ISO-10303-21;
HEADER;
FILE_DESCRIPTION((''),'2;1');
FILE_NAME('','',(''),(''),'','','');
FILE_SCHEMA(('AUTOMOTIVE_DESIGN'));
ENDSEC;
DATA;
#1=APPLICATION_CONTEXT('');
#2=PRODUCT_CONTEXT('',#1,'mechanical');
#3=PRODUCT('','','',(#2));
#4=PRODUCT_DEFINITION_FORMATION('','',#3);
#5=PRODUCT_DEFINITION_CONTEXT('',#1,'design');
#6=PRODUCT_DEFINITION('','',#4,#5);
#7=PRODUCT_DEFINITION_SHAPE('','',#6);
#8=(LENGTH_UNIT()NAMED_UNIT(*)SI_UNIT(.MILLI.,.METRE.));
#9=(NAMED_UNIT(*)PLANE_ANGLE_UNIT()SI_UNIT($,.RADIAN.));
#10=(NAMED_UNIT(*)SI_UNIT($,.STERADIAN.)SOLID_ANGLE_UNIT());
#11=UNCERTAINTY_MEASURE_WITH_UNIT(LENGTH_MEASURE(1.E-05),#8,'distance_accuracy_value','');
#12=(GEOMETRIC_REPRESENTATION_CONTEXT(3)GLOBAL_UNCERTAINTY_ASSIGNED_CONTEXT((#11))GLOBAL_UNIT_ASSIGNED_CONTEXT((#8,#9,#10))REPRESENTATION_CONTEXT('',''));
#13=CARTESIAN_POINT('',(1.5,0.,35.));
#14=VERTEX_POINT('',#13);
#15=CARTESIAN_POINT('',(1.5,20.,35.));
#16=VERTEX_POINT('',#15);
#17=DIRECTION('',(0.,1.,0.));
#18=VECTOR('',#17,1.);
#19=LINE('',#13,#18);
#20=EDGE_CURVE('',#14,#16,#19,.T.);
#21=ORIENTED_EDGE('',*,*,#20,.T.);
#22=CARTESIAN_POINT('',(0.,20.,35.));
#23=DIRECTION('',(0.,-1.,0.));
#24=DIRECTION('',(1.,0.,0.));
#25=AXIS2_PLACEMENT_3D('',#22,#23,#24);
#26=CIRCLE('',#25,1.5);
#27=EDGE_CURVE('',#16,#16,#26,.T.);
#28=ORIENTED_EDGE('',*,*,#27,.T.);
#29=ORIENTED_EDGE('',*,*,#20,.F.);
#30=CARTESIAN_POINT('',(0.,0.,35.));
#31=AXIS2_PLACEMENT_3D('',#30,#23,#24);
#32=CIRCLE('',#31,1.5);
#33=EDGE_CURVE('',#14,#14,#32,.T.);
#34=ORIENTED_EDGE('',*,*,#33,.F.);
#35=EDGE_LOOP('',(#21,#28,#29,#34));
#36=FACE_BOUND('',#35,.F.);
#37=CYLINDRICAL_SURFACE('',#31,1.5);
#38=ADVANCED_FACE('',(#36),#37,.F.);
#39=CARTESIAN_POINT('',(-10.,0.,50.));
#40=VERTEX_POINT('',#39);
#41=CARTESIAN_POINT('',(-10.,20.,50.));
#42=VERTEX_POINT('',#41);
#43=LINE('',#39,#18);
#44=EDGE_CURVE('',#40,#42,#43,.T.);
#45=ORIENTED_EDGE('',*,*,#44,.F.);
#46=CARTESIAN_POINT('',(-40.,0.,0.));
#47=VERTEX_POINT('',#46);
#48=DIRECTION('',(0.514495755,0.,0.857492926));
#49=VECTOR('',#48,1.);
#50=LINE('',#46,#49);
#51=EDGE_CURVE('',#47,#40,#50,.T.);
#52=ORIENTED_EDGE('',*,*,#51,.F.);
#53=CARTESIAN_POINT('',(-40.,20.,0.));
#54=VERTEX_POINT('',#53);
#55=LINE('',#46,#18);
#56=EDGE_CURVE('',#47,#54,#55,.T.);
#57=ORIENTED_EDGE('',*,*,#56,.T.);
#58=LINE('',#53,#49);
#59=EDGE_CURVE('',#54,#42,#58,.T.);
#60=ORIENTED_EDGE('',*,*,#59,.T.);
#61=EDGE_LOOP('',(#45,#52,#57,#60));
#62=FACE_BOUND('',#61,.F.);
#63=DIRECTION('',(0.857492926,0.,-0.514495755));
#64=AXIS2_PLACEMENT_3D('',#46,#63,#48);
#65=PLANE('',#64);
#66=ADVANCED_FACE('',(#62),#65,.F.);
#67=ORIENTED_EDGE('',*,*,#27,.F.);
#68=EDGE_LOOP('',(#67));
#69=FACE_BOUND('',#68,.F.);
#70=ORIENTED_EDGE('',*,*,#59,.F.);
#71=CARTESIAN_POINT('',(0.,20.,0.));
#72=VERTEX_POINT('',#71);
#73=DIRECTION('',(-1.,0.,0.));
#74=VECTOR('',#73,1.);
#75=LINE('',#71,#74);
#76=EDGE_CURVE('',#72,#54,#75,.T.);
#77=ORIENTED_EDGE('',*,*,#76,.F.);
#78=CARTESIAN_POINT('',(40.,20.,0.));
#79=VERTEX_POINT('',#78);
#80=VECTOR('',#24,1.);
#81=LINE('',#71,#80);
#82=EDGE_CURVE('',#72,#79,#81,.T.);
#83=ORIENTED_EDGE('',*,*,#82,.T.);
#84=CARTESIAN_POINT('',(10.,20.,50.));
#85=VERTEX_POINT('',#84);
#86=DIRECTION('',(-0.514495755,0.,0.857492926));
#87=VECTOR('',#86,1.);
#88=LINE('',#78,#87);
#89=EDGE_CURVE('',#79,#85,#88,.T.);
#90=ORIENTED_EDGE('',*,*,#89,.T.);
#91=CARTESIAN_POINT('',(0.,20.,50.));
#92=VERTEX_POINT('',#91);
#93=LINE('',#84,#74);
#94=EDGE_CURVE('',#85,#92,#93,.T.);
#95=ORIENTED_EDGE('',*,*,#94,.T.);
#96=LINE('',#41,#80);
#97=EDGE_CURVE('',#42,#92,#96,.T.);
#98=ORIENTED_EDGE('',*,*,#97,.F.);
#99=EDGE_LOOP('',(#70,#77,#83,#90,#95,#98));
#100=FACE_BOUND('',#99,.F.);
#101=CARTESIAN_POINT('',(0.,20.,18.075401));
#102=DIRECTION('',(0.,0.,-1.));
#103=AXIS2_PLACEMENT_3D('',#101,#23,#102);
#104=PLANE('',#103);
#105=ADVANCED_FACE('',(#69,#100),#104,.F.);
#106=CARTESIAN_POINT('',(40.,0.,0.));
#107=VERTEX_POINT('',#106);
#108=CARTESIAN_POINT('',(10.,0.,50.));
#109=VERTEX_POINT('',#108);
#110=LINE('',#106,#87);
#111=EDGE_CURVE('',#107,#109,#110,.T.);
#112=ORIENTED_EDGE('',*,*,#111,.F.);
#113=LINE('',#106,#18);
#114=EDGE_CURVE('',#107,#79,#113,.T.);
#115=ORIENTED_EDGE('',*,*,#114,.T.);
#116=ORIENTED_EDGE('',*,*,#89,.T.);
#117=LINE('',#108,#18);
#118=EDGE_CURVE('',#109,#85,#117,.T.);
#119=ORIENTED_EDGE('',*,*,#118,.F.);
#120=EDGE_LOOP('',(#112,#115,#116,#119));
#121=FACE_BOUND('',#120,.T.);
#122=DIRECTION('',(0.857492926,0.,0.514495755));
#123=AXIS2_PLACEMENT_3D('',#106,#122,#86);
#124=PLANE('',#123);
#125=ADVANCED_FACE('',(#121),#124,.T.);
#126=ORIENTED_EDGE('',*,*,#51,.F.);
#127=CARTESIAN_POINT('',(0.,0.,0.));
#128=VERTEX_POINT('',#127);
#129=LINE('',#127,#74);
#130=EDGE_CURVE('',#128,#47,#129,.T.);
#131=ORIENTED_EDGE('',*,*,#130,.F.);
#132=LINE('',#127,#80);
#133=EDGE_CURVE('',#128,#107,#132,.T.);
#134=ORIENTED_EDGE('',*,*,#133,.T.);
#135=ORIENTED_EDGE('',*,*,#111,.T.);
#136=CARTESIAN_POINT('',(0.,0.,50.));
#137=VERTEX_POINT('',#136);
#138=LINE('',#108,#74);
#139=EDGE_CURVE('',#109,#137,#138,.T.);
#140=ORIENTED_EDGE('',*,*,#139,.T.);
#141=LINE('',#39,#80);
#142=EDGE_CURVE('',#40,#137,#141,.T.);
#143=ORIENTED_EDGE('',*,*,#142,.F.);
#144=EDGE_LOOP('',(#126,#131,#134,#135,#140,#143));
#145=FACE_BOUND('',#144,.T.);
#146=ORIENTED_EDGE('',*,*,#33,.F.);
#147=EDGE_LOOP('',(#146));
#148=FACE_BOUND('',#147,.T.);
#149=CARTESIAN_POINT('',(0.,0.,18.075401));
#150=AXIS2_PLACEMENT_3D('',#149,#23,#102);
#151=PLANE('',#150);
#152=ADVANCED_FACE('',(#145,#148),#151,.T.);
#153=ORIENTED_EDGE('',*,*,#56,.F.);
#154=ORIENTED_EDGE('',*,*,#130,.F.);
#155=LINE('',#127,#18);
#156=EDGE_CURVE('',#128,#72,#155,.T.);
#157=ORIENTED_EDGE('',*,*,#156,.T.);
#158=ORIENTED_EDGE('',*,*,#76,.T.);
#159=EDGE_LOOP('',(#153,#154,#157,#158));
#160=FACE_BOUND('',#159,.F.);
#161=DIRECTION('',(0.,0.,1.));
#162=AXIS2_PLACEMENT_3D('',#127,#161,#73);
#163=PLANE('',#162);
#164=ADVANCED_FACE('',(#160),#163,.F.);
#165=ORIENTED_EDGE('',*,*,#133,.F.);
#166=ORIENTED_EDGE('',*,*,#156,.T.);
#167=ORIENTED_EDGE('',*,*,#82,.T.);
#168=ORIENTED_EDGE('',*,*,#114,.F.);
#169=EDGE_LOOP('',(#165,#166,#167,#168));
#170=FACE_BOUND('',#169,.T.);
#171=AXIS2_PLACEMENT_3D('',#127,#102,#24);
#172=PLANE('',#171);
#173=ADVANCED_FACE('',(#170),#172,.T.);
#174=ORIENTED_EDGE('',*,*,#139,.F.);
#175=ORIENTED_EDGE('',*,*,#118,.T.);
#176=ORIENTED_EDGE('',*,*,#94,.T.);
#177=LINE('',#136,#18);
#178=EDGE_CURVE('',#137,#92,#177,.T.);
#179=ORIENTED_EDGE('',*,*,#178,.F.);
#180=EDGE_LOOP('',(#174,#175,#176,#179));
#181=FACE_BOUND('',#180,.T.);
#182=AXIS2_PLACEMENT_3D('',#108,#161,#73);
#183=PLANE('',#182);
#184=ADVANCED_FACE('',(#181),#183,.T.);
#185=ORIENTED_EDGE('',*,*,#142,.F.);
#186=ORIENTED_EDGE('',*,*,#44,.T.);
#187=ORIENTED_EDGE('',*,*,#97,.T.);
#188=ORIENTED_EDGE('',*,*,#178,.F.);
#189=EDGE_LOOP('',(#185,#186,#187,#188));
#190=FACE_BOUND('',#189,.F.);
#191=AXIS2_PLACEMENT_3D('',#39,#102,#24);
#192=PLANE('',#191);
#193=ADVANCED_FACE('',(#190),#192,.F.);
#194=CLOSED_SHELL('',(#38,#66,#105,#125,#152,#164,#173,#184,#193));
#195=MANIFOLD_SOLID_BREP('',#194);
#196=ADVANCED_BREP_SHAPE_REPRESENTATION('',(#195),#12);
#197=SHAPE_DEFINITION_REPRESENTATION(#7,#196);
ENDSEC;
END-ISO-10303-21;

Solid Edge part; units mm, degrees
sketch "Sketch1" plane through (0, 0, 0) normal (0, -1, 0) x (1, 0, 0)
  line L0 (40, 0) -> (10, 50)
  line L1 (10, 50) -> (0, 50)
  line L2 (-10, 50) -> (0, 50)
  line L3 (-40, 0) -> (-10, 50)
  line L4 (0, 0) -> (-40, 0)
  line L5 (0, 0) -> (40, 0)
  circle A0 centre (0, 35) radius 1.5
  dimension "D1" = 50
  dimension "D2" = 80
  dimension "D3" = 20
  dimension "D4" = 15
extrude "Protrusion1" add sketch "Sketch1" against normal blind 20
